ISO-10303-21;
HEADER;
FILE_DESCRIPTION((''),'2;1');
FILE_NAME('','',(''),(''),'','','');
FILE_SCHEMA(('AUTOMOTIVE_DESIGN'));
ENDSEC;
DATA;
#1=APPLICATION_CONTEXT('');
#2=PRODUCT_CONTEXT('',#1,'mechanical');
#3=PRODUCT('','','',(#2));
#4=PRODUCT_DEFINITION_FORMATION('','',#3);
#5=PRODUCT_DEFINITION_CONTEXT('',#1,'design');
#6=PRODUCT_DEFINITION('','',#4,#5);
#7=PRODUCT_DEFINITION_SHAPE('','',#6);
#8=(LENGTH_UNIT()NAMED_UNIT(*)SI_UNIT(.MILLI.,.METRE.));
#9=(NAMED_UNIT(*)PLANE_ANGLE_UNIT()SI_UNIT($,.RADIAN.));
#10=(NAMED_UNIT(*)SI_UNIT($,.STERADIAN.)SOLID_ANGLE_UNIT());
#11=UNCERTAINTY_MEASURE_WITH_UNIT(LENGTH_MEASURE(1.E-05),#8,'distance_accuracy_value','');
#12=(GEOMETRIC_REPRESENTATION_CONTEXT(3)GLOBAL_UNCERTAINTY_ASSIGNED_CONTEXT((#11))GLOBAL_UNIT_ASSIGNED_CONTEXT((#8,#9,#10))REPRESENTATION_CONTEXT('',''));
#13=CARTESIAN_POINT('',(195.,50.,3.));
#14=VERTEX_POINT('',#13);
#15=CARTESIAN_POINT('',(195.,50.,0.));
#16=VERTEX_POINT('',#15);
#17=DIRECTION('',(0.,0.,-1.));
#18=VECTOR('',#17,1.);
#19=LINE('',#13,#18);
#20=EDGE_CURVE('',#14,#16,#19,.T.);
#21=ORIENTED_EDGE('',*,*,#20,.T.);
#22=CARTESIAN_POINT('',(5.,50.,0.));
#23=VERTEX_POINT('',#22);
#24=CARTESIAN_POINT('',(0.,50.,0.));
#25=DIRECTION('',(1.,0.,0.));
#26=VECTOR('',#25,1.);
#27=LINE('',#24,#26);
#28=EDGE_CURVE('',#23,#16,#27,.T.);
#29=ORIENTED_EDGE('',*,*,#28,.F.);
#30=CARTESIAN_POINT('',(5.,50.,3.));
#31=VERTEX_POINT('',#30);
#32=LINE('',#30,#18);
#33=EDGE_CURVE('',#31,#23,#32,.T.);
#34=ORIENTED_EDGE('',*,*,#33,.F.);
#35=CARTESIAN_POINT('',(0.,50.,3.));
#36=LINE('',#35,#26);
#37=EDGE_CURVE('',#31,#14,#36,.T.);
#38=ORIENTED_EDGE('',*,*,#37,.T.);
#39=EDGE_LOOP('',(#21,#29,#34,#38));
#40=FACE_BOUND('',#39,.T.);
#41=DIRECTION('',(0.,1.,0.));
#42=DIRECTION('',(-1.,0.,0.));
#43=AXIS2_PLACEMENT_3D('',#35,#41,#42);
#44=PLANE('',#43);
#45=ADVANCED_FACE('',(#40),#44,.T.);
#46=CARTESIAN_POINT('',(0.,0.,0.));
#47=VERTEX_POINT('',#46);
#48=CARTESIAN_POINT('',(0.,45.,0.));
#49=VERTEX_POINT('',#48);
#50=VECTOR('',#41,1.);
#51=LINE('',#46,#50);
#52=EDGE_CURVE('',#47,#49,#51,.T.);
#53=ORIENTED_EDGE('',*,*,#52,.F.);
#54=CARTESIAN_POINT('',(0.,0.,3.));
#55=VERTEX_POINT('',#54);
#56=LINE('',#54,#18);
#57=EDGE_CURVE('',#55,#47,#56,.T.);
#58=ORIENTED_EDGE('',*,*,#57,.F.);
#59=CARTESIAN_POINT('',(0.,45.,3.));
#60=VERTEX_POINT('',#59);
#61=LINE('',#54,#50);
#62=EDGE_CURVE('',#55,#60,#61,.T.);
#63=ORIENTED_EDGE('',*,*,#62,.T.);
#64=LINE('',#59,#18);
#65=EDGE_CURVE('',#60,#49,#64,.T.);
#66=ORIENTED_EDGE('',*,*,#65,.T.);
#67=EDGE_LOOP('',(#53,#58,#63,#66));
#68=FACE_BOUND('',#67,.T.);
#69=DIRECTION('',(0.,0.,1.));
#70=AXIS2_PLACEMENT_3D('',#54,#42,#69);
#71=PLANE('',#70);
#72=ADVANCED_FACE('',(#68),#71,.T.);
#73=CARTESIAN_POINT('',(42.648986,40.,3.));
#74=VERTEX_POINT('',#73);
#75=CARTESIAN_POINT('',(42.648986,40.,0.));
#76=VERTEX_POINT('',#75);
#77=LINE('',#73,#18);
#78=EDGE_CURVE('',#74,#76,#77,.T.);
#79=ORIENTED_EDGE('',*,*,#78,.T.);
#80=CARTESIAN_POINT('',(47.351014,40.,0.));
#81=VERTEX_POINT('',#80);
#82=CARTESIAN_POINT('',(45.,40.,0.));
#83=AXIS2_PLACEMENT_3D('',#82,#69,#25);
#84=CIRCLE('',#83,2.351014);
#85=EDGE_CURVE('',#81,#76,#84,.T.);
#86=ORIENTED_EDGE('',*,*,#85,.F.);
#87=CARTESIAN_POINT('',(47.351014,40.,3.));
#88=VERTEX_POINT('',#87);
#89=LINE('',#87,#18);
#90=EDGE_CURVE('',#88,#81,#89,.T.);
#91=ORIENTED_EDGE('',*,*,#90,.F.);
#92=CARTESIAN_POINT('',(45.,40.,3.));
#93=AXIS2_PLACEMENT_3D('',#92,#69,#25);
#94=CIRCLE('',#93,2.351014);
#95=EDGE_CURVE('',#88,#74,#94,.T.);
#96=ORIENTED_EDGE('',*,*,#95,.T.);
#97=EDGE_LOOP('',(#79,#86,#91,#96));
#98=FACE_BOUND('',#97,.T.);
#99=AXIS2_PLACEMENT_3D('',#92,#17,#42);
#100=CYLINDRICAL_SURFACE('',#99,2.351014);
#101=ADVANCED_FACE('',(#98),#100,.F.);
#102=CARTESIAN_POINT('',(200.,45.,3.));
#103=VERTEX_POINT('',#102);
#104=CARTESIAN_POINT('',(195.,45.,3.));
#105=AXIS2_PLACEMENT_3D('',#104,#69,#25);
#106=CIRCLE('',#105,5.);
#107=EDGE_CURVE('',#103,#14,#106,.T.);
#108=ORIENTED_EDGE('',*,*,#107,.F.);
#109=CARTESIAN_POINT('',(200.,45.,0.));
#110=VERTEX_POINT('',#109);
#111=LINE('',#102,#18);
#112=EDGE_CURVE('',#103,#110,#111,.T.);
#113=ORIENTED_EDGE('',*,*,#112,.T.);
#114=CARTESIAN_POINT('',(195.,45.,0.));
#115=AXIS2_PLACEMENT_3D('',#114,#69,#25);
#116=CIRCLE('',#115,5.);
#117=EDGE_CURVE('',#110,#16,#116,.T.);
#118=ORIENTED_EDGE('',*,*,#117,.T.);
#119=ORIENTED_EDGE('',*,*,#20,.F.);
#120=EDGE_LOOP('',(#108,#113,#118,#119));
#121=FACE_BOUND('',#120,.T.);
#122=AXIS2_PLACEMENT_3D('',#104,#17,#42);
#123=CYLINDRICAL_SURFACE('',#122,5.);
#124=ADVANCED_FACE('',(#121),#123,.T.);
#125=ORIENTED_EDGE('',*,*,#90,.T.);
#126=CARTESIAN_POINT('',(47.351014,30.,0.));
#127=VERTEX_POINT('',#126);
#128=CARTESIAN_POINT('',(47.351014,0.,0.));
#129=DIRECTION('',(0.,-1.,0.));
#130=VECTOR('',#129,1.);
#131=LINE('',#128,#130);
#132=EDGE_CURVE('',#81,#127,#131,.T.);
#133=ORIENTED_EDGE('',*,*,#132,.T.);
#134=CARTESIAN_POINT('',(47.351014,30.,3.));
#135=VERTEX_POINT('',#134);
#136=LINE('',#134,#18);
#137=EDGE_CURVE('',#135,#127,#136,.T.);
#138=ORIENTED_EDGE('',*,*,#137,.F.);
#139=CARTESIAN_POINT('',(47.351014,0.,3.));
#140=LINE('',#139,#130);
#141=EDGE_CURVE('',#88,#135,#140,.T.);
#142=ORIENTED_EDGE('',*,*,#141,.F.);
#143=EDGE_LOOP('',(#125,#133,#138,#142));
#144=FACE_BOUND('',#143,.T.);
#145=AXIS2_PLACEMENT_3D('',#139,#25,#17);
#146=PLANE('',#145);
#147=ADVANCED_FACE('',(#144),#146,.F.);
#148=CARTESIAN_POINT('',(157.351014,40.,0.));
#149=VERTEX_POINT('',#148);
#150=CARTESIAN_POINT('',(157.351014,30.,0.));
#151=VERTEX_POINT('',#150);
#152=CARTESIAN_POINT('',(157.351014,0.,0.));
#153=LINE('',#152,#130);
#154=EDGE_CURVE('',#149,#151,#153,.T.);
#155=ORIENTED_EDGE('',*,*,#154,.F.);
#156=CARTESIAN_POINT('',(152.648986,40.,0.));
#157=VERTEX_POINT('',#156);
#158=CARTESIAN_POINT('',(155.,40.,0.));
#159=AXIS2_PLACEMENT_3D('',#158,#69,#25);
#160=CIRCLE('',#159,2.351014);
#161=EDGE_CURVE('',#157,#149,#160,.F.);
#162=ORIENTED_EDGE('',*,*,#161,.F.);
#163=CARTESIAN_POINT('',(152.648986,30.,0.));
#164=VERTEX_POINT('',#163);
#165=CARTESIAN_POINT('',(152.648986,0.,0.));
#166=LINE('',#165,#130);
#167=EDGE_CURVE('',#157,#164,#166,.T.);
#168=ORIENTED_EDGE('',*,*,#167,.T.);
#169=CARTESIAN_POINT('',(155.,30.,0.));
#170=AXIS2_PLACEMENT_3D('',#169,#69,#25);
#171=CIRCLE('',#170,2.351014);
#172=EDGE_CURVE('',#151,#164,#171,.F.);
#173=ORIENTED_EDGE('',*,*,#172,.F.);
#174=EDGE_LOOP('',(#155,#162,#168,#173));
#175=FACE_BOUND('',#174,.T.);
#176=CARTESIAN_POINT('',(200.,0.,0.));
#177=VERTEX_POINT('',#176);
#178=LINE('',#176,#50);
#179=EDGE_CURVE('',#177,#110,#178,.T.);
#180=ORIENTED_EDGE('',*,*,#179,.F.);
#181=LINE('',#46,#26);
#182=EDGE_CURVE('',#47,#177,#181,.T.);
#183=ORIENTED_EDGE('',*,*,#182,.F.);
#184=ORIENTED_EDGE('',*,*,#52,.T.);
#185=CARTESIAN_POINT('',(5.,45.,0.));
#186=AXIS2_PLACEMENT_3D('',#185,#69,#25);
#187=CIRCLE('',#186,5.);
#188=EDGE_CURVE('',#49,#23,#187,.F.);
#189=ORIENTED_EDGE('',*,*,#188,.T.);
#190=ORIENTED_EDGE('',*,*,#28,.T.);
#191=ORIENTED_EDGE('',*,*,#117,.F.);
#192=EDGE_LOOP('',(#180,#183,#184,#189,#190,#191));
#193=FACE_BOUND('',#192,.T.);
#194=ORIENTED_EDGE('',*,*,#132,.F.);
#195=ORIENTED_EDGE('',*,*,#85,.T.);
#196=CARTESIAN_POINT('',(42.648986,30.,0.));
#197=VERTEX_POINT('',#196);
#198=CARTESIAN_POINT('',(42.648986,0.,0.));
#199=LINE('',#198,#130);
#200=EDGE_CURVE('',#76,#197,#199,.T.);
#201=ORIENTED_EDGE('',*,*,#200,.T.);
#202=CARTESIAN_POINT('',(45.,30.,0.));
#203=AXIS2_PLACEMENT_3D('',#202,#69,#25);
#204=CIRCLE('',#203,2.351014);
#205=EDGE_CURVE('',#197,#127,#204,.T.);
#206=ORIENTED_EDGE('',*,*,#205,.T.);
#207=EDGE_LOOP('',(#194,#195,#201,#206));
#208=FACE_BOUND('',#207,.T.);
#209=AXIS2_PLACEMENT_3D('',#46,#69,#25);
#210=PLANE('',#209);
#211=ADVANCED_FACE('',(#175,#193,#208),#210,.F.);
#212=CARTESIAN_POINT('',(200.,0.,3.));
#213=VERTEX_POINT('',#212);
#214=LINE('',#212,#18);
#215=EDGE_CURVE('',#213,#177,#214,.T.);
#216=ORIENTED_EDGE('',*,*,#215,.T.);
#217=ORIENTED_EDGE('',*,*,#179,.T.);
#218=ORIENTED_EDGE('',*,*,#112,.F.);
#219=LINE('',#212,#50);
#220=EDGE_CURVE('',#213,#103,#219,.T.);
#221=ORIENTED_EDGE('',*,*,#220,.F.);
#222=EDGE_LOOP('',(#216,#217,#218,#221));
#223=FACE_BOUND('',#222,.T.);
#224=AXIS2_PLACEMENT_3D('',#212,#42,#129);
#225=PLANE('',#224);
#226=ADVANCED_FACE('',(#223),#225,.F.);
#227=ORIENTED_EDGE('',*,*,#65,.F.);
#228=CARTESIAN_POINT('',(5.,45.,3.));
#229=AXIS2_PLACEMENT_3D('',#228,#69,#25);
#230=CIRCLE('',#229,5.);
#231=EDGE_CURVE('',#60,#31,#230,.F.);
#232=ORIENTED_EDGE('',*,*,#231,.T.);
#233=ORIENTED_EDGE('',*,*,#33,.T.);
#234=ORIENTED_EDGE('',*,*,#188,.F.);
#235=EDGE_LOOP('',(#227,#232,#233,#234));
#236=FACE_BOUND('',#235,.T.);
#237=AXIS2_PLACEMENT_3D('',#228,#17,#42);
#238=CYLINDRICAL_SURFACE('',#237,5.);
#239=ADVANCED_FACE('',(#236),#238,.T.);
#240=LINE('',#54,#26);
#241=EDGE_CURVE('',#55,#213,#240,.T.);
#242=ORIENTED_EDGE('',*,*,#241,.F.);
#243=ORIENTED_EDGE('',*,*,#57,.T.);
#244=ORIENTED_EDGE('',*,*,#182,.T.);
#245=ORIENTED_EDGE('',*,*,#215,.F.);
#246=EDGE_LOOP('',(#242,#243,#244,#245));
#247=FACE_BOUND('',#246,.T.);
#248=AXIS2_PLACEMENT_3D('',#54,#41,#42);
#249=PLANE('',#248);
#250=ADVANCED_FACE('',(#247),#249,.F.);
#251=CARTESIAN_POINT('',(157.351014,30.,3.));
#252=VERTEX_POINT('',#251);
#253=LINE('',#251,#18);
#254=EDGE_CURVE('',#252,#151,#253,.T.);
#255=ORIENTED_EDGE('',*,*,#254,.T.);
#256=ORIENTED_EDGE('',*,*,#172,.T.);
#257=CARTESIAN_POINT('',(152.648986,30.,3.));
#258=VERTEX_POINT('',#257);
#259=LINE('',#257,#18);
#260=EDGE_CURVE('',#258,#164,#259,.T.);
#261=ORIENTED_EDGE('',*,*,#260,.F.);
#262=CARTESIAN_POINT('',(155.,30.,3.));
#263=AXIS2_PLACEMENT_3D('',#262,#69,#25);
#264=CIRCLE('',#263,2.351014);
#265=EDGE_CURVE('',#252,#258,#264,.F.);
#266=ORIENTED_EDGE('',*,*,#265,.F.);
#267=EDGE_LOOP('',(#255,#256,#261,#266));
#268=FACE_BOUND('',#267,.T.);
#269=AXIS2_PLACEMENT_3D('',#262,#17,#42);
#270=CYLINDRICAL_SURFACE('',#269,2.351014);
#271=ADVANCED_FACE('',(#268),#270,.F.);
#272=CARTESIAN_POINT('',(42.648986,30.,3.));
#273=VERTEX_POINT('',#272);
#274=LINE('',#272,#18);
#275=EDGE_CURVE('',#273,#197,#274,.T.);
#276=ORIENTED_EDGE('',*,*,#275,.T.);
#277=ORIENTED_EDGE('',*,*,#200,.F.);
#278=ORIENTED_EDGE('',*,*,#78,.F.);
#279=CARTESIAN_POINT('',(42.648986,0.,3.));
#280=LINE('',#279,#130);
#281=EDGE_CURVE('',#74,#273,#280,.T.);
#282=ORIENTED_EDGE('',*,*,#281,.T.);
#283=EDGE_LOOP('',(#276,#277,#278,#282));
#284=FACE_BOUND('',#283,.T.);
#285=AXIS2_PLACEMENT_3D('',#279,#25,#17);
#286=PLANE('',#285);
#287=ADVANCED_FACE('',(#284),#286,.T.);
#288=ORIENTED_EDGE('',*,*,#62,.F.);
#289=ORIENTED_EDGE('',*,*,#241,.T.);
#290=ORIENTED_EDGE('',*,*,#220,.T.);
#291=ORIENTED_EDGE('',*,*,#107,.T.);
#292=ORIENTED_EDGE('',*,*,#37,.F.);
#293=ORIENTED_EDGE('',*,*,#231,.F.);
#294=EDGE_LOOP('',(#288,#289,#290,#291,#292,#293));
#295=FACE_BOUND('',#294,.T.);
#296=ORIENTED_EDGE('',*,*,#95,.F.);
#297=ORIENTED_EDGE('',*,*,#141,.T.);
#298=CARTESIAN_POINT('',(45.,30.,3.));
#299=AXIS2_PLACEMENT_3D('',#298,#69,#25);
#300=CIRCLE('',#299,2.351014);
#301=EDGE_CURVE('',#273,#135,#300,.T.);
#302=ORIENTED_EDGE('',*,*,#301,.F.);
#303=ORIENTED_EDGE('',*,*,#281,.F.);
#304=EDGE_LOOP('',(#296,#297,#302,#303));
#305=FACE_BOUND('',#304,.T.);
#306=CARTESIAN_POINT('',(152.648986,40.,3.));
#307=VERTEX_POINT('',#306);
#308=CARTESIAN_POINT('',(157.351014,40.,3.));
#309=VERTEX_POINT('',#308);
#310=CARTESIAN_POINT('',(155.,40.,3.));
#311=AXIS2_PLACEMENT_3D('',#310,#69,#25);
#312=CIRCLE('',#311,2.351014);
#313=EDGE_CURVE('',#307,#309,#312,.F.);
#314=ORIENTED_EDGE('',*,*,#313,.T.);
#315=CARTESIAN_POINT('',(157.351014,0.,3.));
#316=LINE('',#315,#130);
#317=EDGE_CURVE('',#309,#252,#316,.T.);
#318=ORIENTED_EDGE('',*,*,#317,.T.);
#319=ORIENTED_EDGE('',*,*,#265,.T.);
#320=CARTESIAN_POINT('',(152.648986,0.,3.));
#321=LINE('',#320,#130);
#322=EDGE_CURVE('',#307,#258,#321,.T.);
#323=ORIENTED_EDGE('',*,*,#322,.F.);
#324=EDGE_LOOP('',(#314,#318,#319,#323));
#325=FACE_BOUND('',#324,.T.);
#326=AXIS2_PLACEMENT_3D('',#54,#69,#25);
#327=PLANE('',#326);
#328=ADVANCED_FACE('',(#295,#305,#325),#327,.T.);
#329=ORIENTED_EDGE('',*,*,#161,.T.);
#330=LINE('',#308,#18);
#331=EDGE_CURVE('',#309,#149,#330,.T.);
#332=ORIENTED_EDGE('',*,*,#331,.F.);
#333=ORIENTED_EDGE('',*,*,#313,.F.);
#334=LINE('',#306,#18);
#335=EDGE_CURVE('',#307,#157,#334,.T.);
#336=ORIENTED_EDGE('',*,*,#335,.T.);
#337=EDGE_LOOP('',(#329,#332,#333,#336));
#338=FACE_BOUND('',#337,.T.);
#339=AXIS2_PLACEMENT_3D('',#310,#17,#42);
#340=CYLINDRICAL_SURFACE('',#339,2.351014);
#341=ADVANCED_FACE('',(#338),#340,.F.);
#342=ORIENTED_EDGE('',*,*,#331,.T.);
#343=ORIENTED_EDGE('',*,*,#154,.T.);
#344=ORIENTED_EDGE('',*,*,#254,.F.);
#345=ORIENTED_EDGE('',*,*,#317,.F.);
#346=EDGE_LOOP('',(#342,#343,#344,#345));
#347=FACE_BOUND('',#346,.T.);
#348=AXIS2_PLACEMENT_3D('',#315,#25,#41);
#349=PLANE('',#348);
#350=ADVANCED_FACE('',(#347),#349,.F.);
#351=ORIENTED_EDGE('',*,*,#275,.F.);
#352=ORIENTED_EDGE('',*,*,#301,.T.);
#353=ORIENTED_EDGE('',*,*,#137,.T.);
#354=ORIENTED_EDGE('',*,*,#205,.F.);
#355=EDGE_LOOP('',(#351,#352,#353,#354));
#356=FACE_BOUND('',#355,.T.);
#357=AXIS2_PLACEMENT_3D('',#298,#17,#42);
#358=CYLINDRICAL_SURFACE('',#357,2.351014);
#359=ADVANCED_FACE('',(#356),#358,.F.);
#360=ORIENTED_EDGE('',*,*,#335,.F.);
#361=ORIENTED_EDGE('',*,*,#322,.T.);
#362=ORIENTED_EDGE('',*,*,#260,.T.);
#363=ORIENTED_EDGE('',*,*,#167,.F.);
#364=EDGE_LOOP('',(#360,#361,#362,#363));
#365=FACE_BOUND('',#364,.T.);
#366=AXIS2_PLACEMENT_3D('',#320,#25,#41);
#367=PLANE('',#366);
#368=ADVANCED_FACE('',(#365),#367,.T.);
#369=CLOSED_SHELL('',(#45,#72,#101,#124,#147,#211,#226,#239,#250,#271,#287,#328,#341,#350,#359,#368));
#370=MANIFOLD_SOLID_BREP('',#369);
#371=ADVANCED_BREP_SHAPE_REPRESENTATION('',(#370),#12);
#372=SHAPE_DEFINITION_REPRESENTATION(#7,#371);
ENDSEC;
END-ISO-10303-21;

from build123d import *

# Parameters (mm, degrees)
EXTRUDE_1_DEPTH = 3


with BuildPart() as part:
    # 草图1 → 凸台-拉伸1 (new body)
    with BuildSketch(Plane.XY):
        with BuildLine():
            Line((0, 0), (200, 0))
            Line((200, 0), (200, 45))
            ThreePointArc((200, 45), (198.535533906, 48.535533906), (195, 50))
            Line((195, 50), (5, 50))
            ThreePointArc((5, 50), (1.464466094, 48.535533906), (0, 45))
            Line((0, 45), (0, 0))
        make_face()
        with BuildLine():
            Line((42.648985665, 40), (42.648985665, 30))
            ThreePointArc((42.648985665, 30), (45, 27.648985665), (47.351014335, 30))
            Line((47.351014335, 30), (47.351014335, 40))
            ThreePointArc((47.351014335, 40), (45, 42.351014335), (42.648985665, 40))
        make_face(mode=Mode.SUBTRACT)
        with BuildLine():
            Line((152.648985665, 40), (152.648985665, 30))
            ThreePointArc((152.648985665, 30), (155, 27.648985665), (157.351014335, 30))
            Line((157.351014335, 30), (157.351014335, 40))
            ThreePointArc((157.351014335, 40), (155, 42.351014335), (152.648985665, 40))
        make_face(mode=Mode.SUBTRACT)
    extrude(amount=EXTRUDE_1_DEPTH)


solid = part.part
